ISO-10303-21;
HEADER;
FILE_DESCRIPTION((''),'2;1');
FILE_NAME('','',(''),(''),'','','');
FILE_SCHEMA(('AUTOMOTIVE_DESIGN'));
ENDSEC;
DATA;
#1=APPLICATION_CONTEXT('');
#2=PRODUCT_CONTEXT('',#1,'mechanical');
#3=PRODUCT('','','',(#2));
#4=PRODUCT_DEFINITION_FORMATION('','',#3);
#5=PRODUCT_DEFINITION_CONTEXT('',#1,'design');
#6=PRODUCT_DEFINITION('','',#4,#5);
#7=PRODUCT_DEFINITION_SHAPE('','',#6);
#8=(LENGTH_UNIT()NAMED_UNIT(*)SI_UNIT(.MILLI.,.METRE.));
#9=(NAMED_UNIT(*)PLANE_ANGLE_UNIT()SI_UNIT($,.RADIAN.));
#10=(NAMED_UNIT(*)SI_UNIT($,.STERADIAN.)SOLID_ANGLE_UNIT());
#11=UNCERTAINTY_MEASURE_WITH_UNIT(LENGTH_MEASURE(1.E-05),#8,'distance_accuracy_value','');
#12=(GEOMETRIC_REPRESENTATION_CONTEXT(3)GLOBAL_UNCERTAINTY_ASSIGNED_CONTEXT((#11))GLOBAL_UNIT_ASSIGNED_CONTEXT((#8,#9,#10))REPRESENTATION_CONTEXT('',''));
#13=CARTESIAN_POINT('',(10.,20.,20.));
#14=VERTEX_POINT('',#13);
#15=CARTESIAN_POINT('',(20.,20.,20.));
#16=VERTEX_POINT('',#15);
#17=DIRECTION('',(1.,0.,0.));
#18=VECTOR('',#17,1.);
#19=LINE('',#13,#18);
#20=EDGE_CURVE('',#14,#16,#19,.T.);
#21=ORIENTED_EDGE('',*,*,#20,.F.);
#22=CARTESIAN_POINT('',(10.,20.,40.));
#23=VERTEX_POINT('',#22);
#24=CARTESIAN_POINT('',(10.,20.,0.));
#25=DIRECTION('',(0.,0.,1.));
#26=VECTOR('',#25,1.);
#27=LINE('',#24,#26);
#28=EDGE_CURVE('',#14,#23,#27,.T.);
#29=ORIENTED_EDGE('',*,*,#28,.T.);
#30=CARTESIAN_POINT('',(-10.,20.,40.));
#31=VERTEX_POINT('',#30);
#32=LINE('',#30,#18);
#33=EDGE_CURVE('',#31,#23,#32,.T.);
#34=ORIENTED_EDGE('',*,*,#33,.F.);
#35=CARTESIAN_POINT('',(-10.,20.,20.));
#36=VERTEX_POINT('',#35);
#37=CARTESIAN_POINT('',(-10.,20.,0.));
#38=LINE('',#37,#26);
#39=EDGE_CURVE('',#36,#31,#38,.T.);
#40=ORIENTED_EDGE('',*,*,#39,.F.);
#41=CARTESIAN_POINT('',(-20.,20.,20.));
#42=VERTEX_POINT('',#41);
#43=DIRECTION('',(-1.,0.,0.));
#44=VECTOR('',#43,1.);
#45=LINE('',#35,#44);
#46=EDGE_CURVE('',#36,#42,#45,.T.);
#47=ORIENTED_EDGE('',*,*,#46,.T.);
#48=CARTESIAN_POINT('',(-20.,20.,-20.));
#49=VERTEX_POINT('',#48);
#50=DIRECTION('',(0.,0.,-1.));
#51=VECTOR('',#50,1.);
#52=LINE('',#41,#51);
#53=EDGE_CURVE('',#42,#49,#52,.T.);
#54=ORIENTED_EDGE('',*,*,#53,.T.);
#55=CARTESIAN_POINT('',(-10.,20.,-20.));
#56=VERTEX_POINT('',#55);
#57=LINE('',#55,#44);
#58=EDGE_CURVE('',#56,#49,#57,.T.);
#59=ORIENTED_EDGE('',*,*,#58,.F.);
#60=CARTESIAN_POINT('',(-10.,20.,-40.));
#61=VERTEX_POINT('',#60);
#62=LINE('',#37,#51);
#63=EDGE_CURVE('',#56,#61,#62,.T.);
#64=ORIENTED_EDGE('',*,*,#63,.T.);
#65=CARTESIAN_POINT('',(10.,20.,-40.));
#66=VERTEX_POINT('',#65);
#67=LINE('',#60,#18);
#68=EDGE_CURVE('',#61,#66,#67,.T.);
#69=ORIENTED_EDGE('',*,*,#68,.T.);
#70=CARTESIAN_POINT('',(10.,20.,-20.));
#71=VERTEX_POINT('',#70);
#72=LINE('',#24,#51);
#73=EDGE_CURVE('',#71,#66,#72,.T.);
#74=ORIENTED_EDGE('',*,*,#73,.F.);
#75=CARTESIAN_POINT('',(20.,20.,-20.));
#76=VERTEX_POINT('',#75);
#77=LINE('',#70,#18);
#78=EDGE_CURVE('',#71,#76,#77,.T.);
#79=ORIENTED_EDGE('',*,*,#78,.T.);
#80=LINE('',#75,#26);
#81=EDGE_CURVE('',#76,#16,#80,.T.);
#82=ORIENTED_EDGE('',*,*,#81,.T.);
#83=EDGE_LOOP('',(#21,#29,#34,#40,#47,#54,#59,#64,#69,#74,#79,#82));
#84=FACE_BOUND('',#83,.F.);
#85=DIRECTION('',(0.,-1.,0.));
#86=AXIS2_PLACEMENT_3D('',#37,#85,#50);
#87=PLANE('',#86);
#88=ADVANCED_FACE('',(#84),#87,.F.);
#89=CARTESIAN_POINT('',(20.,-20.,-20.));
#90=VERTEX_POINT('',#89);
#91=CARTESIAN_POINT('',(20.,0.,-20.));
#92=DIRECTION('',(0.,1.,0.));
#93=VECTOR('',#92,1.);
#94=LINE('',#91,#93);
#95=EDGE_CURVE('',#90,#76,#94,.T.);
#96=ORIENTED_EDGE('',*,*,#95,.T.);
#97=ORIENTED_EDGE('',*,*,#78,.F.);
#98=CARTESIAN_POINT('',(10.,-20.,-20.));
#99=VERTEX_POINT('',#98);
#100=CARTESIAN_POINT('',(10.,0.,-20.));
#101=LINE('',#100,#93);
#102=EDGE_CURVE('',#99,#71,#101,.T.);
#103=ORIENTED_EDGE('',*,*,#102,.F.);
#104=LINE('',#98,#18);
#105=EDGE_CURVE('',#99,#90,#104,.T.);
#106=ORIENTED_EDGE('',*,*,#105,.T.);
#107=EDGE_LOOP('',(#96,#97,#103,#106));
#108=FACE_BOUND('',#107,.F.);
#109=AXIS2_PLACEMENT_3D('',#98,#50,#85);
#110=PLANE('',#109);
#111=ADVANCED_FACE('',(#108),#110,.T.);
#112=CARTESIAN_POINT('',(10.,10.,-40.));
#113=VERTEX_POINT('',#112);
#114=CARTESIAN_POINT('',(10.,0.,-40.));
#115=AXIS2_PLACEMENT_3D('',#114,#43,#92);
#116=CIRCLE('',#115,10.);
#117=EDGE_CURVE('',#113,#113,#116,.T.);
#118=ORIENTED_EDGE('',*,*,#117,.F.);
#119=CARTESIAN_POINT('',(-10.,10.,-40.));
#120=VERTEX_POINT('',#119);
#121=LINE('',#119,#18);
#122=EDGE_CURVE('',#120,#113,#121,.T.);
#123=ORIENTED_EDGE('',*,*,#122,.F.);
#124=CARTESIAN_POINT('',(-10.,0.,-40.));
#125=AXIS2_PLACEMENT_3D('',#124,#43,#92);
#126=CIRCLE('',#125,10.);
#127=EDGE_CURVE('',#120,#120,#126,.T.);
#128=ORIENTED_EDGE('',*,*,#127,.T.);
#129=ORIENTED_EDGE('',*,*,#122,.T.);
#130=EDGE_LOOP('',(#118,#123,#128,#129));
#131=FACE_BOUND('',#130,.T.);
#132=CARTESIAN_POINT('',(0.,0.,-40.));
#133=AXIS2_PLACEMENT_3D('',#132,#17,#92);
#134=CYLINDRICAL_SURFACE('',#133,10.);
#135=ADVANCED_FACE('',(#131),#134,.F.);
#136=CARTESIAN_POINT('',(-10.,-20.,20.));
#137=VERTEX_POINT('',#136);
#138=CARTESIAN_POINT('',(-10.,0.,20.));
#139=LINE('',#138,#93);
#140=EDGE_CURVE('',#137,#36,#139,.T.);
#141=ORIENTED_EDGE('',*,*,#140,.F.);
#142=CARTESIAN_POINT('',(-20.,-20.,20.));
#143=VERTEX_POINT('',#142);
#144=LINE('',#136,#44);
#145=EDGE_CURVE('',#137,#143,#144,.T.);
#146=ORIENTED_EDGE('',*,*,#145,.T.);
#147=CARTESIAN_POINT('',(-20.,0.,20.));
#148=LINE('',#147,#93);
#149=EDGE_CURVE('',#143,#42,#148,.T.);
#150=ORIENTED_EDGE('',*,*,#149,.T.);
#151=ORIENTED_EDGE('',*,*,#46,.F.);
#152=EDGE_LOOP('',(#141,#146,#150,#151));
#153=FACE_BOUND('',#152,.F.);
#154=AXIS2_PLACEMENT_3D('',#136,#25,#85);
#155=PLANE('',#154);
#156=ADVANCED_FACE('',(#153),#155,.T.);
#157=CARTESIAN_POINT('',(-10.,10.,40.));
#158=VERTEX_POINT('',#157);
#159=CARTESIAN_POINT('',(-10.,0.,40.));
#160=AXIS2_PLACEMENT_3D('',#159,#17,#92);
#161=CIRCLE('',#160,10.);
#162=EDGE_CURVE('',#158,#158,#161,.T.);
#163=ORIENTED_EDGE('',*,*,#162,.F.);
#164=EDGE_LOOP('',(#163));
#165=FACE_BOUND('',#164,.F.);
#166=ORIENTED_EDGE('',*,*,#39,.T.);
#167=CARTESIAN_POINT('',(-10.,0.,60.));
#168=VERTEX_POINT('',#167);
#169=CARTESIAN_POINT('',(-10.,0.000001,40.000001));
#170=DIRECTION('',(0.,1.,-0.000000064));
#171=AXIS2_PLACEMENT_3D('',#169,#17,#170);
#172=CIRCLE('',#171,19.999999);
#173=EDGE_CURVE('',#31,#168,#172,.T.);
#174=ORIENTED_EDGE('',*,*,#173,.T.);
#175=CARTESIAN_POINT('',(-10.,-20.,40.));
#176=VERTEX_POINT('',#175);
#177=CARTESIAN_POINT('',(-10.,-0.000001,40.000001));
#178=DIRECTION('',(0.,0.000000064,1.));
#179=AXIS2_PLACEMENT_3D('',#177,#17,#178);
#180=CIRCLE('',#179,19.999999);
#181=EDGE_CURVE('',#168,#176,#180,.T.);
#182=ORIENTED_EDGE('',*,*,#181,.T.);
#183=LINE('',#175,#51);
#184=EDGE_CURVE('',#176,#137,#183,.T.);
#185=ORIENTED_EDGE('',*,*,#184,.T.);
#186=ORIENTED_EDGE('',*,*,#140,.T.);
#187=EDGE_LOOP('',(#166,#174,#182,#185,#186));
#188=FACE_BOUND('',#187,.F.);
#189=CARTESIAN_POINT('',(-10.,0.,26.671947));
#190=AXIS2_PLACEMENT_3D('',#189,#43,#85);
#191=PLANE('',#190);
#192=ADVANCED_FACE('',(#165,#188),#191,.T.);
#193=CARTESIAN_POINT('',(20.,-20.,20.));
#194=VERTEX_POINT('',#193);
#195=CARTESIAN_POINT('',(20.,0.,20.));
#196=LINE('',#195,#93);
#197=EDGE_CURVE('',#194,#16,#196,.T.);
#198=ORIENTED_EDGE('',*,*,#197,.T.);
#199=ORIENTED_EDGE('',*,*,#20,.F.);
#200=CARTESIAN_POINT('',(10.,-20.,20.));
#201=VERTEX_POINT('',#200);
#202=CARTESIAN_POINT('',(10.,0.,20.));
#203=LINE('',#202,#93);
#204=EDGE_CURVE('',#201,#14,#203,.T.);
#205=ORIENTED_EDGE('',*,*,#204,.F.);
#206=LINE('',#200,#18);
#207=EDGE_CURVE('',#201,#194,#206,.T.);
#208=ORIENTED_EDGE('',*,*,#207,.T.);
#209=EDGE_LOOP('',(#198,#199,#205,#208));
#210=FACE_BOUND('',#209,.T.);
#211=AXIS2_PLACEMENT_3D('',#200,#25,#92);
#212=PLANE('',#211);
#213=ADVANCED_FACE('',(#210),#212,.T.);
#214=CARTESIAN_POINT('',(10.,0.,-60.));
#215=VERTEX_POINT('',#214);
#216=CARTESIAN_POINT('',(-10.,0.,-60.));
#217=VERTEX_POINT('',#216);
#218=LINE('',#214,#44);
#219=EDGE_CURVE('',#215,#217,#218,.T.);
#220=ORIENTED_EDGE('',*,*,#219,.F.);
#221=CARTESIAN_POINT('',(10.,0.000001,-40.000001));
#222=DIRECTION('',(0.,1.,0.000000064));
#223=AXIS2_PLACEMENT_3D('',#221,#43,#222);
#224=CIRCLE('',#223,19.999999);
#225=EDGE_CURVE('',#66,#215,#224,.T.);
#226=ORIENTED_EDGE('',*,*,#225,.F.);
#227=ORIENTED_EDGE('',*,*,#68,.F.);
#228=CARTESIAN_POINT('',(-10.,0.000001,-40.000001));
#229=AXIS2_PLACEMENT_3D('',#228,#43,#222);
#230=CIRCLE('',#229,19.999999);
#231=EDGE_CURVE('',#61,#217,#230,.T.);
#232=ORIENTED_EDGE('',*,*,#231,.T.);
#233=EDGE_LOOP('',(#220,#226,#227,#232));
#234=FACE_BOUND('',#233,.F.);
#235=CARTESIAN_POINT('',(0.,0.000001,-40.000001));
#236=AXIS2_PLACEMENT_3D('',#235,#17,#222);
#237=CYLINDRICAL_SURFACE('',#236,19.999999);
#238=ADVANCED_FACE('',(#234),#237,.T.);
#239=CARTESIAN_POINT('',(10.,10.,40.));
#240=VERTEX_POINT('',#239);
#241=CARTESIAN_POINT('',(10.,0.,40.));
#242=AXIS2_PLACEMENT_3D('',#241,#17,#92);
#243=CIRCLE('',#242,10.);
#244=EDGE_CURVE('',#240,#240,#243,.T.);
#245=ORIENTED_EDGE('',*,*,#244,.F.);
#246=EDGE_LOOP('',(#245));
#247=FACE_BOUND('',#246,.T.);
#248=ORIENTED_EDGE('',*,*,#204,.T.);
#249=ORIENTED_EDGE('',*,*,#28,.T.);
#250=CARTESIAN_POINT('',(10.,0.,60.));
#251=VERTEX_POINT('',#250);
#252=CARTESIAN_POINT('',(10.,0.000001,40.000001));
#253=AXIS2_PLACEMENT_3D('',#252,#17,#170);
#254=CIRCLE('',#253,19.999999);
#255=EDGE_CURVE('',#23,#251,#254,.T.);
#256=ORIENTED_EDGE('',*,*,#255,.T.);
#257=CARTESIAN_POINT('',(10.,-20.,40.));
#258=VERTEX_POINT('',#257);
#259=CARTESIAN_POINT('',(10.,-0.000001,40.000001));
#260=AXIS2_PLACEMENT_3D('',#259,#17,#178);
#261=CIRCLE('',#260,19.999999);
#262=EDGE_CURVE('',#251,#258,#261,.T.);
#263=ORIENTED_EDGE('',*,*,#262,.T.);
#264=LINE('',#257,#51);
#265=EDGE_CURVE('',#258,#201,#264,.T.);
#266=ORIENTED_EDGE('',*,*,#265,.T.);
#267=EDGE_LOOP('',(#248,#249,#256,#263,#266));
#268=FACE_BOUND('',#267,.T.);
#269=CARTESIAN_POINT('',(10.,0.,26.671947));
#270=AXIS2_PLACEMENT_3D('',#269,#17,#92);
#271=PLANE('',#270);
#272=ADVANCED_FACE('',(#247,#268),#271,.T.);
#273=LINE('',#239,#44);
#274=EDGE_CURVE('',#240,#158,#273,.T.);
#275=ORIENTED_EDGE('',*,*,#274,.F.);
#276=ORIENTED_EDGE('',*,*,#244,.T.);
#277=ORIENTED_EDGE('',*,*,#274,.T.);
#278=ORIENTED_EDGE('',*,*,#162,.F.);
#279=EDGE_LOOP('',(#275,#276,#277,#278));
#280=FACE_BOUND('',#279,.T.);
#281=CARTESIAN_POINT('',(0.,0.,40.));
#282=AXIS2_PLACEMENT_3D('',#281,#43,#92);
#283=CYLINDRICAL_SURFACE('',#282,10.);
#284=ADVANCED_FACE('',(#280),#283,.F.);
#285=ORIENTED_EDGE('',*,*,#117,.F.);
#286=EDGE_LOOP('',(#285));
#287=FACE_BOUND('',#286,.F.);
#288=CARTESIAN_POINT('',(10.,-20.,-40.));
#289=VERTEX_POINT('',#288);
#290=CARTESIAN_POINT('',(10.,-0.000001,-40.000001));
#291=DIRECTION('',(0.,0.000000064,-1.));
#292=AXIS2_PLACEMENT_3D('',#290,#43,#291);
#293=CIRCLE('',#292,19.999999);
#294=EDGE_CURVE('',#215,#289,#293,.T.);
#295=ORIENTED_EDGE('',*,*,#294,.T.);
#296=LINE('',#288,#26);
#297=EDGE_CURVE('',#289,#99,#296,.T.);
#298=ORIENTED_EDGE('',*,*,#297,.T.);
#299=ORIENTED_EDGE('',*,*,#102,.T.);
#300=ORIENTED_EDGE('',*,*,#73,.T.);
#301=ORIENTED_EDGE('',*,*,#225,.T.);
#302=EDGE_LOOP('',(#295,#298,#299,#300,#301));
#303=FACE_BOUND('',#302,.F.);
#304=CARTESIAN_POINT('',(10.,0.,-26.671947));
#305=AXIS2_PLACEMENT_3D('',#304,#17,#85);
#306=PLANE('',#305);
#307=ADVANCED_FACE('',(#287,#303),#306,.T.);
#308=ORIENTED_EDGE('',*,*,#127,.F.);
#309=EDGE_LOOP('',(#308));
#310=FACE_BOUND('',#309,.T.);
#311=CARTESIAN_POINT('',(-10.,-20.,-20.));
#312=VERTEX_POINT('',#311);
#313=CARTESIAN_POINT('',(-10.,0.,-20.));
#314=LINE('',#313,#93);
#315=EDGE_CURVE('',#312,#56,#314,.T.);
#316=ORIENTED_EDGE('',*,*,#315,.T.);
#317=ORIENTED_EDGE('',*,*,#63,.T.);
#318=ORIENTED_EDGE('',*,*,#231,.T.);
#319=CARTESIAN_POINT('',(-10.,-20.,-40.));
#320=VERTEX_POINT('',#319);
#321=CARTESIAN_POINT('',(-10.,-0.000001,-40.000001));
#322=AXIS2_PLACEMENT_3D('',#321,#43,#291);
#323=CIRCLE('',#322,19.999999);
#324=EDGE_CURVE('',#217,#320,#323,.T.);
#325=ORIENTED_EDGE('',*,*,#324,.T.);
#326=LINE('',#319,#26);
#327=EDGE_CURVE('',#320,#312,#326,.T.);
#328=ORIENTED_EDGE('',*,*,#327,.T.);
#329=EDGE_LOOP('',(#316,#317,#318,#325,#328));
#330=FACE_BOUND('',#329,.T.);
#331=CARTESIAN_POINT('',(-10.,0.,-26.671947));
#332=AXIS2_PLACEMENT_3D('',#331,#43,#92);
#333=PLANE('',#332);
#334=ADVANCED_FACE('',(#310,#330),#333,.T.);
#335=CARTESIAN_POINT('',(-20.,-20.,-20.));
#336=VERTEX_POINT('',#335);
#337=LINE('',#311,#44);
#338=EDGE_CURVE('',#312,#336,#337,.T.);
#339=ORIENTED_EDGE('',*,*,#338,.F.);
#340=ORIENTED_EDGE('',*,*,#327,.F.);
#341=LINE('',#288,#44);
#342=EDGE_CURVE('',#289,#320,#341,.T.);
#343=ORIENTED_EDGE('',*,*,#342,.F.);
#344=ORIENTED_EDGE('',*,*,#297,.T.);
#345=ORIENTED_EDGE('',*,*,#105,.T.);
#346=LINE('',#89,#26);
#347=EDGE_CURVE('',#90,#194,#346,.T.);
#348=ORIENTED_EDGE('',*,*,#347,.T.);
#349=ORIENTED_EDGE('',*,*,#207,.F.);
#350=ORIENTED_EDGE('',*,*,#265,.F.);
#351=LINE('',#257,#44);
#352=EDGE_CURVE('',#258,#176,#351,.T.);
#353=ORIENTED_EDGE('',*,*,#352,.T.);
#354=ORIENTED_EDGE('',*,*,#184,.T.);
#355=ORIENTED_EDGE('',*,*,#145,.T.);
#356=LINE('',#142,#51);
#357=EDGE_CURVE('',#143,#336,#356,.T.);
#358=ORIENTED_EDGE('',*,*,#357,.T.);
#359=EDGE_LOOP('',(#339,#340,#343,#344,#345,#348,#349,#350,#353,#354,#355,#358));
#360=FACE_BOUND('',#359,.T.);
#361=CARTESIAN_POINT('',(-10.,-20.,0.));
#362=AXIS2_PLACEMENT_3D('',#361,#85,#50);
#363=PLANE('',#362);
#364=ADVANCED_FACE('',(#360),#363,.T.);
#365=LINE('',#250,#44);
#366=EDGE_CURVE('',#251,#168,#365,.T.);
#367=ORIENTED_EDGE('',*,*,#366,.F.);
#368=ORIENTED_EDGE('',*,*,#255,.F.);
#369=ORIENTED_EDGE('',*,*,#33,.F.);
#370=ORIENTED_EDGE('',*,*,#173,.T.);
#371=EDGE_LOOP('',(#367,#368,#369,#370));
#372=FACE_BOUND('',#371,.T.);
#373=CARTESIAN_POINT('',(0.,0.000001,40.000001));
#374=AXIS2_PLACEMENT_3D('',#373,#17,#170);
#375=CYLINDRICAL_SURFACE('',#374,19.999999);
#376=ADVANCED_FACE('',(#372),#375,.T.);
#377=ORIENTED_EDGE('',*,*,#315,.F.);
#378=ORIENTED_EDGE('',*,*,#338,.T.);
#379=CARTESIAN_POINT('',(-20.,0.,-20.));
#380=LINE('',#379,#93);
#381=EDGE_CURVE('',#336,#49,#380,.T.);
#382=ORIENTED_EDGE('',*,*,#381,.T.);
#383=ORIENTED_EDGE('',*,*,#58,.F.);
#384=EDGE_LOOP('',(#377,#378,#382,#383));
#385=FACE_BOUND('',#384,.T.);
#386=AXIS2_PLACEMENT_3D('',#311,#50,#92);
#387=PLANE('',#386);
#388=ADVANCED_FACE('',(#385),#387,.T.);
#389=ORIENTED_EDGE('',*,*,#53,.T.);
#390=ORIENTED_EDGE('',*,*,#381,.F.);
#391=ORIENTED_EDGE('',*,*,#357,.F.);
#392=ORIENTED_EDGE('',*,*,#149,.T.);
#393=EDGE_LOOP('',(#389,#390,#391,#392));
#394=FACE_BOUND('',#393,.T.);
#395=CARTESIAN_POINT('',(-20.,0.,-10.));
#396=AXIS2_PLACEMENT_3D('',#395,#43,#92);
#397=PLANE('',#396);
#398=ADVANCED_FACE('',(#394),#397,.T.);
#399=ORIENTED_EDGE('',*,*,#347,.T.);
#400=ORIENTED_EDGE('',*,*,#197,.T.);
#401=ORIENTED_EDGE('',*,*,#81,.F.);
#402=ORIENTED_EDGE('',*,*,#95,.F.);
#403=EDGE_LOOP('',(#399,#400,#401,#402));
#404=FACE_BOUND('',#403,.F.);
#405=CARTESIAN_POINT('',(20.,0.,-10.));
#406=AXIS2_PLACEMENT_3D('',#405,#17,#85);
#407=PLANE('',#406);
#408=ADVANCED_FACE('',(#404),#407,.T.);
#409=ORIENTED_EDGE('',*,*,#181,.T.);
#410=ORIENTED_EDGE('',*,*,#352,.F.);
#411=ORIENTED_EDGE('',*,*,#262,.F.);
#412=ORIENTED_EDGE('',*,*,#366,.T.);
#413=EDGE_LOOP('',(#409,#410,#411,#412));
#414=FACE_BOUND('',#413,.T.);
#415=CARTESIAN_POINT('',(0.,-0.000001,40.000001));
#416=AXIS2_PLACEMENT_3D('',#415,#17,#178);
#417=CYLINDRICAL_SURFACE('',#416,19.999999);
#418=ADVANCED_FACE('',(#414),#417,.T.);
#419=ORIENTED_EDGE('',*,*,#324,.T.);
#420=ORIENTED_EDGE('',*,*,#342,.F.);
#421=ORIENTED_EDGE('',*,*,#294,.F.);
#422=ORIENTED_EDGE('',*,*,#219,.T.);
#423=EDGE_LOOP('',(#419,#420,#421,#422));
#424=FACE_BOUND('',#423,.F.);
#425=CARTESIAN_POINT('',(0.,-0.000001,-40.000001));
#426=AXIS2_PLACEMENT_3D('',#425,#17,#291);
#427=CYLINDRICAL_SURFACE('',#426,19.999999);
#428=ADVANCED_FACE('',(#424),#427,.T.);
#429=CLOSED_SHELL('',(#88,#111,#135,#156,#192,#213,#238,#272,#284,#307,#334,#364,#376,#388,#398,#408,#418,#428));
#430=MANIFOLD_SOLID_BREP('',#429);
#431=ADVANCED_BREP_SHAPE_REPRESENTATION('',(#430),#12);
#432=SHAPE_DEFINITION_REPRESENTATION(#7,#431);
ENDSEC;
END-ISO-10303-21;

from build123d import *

# Parameters (mm, degrees)
F0_R     = 10
F1_DEPTH = 10
F2_W     = 40
F2_H     = 20
F3_DEPTH = 10


with BuildPart() as f1:
    # F0 (on Right) → F1 (new body)
    with BuildSketch(Plane.YZ):
        with BuildLine():
            Line((-20, 40), (-20, 0))
            Line((-20, 0), (20, 0))
            Line((20, 0), (20, 40))
            ThreePointArc((20, 40), (14.142136, 54.142136), (0, 60))
            ThreePointArc((0, 60), (-14.142136, 54.142136), (-20, 40))
        make_face()
        with Locations((0, 40)):
            Circle(F0_R, mode=Mode.SUBTRACT)
    extrude(amount=F1_DEPTH)

    # F2 (on face) → F3 (join)
    with BuildSketch(Plane.YZ.offset(10)):
        with Locations((0, 10)):
            Rectangle(F2_W, F2_H)
    extrude(amount=F3_DEPTH)

    # F4: F1 across plane


with BuildPart() as f1_1:
    add(f1.part)
    add(f1.part.mirror(Plane.YZ))

    # F5: F1 across plane


with BuildPart() as f1_2:
    add(f1_1.part)
    add(f1_1.part.mirror(Plane.XY))


solid = f1_2.part
